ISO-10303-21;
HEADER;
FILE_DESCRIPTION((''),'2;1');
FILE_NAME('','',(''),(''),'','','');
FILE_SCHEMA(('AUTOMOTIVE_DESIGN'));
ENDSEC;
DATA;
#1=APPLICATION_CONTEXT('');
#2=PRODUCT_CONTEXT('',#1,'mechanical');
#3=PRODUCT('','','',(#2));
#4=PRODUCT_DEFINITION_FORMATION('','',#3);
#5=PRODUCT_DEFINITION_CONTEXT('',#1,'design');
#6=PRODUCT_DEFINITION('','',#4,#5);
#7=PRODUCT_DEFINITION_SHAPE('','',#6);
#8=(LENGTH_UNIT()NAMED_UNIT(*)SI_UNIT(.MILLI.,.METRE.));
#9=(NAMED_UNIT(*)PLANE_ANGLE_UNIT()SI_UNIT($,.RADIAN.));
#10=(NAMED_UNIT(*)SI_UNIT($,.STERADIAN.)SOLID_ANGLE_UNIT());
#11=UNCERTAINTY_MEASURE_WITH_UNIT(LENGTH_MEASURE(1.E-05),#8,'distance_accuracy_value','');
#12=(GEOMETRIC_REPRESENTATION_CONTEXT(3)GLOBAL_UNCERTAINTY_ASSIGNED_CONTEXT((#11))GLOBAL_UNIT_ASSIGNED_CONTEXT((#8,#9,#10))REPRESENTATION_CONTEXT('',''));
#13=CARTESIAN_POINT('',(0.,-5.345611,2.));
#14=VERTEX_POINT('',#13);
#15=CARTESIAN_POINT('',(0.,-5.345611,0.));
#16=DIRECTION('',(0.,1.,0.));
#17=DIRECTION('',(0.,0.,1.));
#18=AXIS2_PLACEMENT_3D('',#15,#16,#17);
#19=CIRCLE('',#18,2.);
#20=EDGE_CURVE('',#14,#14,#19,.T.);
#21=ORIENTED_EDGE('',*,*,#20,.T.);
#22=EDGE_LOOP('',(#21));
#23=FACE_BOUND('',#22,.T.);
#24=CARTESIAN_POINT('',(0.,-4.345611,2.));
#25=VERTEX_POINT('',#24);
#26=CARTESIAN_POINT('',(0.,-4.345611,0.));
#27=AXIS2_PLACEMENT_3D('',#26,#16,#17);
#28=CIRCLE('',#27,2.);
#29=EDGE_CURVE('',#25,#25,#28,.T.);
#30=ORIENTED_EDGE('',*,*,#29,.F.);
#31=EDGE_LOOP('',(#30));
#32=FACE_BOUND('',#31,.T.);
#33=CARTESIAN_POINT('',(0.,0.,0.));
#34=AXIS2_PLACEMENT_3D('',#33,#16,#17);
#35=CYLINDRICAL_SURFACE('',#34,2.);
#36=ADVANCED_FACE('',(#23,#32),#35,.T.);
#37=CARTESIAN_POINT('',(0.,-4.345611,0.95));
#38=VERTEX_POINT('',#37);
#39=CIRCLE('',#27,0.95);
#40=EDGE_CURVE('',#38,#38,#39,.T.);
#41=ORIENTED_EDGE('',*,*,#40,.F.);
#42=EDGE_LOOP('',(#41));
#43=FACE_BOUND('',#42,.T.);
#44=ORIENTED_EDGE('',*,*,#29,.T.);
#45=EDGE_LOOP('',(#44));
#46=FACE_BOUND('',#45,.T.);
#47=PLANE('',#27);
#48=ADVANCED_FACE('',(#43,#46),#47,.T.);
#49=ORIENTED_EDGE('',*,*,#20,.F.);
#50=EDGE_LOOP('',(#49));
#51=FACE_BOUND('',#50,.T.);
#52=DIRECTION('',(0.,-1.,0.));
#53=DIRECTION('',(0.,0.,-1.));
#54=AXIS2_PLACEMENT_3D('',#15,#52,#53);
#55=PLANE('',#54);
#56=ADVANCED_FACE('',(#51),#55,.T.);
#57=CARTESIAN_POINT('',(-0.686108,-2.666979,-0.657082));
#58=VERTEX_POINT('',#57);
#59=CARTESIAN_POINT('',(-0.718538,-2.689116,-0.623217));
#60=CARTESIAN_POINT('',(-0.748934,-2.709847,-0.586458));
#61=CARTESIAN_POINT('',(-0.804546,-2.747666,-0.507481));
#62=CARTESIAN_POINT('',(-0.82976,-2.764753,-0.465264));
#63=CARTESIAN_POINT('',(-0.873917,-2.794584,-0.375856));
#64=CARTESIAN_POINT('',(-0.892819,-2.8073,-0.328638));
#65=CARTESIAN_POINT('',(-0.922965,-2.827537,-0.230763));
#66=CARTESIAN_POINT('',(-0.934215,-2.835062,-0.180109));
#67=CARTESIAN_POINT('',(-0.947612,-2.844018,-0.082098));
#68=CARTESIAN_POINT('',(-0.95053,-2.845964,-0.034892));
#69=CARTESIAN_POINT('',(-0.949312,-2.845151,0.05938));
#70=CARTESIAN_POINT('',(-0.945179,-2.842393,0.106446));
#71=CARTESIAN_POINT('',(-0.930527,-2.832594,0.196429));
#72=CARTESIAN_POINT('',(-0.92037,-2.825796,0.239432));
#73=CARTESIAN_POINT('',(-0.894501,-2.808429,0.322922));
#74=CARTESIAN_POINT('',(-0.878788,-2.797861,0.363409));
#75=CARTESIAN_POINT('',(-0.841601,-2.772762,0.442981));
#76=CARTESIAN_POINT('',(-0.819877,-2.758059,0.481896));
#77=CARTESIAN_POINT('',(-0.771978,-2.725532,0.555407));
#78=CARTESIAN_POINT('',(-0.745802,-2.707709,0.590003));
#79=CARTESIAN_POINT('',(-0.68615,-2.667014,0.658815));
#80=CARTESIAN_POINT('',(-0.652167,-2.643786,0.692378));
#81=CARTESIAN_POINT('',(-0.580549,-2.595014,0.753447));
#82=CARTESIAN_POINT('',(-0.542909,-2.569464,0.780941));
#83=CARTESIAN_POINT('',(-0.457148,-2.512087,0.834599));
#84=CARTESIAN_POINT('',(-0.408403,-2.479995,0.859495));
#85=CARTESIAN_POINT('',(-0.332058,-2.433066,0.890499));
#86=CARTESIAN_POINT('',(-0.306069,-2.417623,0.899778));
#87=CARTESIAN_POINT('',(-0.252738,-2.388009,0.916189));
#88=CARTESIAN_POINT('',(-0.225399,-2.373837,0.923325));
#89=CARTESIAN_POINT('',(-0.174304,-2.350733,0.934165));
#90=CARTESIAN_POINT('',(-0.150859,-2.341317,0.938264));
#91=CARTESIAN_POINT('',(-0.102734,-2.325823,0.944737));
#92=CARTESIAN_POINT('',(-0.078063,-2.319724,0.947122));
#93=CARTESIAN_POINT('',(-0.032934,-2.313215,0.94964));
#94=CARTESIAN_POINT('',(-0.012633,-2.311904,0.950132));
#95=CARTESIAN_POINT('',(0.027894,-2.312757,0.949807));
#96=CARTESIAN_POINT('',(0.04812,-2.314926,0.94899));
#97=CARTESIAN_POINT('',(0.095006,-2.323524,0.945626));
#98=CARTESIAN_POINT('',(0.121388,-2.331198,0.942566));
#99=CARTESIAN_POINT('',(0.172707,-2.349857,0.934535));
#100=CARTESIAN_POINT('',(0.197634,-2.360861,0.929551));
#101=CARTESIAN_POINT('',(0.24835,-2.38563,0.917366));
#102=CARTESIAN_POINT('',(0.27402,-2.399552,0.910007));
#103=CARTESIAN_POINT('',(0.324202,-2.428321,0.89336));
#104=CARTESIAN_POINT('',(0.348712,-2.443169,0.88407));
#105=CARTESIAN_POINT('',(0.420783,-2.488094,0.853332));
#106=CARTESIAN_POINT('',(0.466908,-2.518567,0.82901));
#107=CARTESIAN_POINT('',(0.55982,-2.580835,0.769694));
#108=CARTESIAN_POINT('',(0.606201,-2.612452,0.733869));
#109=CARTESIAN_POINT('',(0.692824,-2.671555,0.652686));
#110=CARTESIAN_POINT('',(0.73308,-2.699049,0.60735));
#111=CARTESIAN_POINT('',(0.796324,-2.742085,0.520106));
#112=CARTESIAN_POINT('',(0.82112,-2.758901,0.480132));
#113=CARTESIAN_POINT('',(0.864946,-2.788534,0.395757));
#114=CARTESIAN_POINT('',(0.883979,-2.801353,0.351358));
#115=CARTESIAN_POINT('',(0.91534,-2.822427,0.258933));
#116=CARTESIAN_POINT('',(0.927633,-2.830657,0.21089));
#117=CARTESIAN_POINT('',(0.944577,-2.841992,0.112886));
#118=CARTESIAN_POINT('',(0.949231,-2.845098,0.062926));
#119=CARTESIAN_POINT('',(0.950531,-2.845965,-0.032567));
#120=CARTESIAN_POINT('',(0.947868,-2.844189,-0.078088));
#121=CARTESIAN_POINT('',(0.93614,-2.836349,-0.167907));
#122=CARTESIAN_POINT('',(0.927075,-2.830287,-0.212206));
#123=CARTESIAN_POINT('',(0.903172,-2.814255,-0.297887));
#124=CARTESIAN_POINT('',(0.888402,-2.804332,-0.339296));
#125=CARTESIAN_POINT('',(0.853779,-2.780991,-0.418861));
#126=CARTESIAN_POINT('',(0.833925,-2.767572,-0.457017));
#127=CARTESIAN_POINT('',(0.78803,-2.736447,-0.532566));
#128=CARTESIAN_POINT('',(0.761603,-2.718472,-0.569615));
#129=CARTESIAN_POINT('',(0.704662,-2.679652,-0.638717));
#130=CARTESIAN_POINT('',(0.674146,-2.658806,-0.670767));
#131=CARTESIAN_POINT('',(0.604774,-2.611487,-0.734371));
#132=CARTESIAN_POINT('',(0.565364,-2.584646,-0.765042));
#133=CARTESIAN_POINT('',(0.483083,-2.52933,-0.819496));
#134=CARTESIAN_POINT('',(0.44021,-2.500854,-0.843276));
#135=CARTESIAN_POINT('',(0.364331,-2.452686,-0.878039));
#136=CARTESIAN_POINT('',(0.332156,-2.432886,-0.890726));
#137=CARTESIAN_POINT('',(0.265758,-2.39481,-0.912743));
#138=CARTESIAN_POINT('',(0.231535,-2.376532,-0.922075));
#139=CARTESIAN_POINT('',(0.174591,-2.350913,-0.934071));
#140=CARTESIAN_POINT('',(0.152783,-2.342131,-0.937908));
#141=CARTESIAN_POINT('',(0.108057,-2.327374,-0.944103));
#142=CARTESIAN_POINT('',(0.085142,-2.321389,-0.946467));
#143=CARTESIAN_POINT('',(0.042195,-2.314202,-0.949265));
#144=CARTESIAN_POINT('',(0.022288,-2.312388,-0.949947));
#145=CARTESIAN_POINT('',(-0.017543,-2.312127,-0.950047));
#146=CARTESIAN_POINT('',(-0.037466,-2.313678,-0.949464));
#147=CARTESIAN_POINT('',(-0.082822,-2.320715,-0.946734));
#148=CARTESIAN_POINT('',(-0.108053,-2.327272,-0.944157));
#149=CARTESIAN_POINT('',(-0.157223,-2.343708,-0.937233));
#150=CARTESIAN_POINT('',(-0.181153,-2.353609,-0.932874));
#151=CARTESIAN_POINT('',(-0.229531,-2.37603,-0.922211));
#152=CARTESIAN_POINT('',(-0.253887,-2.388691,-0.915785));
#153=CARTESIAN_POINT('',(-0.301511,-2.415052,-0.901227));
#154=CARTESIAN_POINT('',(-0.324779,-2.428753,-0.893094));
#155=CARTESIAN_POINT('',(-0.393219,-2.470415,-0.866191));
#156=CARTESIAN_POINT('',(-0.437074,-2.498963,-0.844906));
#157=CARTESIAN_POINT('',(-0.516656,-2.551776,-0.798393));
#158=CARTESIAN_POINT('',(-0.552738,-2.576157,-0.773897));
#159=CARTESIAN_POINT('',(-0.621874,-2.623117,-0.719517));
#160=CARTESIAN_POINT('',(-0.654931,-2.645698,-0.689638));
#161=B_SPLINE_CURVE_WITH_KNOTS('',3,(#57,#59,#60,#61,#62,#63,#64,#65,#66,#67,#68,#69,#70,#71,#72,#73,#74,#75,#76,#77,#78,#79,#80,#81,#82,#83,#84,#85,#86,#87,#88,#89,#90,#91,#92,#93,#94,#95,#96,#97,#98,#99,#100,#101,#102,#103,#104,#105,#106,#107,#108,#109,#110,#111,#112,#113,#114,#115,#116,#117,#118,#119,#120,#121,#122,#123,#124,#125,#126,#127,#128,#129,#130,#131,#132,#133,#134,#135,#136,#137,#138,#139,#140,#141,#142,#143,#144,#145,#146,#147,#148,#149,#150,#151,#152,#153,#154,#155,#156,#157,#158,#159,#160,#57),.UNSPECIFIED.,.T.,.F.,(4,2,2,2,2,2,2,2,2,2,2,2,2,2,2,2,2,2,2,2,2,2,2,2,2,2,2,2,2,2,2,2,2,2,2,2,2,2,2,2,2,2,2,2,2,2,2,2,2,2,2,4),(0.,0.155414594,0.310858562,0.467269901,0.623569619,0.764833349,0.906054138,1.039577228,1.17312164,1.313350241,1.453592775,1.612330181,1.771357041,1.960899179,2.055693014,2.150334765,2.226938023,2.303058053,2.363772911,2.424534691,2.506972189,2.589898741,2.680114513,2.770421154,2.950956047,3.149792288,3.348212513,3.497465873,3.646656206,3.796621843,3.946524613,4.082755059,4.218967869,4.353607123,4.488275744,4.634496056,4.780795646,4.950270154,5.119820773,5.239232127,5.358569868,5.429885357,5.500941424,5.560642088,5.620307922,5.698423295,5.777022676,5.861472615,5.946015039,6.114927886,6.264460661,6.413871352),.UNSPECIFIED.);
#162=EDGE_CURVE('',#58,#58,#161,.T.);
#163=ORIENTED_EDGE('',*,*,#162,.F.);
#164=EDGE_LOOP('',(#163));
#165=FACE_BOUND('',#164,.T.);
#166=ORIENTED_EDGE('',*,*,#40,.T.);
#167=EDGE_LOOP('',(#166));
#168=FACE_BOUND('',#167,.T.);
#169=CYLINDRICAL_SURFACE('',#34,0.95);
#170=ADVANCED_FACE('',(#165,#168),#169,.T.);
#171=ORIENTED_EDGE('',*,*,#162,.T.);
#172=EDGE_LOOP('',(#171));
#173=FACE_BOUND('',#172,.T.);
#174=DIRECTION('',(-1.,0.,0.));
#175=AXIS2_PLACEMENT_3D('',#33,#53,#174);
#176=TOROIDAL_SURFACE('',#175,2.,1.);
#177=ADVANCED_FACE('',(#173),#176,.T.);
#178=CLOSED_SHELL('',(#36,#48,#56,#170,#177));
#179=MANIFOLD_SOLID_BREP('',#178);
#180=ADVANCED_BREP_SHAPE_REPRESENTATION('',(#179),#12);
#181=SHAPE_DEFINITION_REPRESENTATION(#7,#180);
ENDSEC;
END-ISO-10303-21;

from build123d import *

# Parameters (mm, degrees)
SKETCH_1_R = 1


with BuildPart() as part:
    # 草图1 → 旋转1 (revolve)
    with BuildSketch(Plane(origin=(0, 0, 0), x_dir=(1, 0, 0), z_dir=(0, 1, 0))):
        with Locations((2, 0)):
            Circle(SKETCH_1_R)
    revolve(axis=Axis((0, 0, 0), (0, 0, 1)))

    # 草图2 → 旋转2 (revolve)
    with BuildSketch(Plane.XY):
        Polygon((0, -5.345610655), (0, -1.845610655), (0.95, -1.845610655), (0.95, -4.345610655), (2, -4.345610655), (2, -5.345610655), align=None)
    revolve(axis=Axis((0, 0, 0), (0, -1, 0)))


solid = part.part
